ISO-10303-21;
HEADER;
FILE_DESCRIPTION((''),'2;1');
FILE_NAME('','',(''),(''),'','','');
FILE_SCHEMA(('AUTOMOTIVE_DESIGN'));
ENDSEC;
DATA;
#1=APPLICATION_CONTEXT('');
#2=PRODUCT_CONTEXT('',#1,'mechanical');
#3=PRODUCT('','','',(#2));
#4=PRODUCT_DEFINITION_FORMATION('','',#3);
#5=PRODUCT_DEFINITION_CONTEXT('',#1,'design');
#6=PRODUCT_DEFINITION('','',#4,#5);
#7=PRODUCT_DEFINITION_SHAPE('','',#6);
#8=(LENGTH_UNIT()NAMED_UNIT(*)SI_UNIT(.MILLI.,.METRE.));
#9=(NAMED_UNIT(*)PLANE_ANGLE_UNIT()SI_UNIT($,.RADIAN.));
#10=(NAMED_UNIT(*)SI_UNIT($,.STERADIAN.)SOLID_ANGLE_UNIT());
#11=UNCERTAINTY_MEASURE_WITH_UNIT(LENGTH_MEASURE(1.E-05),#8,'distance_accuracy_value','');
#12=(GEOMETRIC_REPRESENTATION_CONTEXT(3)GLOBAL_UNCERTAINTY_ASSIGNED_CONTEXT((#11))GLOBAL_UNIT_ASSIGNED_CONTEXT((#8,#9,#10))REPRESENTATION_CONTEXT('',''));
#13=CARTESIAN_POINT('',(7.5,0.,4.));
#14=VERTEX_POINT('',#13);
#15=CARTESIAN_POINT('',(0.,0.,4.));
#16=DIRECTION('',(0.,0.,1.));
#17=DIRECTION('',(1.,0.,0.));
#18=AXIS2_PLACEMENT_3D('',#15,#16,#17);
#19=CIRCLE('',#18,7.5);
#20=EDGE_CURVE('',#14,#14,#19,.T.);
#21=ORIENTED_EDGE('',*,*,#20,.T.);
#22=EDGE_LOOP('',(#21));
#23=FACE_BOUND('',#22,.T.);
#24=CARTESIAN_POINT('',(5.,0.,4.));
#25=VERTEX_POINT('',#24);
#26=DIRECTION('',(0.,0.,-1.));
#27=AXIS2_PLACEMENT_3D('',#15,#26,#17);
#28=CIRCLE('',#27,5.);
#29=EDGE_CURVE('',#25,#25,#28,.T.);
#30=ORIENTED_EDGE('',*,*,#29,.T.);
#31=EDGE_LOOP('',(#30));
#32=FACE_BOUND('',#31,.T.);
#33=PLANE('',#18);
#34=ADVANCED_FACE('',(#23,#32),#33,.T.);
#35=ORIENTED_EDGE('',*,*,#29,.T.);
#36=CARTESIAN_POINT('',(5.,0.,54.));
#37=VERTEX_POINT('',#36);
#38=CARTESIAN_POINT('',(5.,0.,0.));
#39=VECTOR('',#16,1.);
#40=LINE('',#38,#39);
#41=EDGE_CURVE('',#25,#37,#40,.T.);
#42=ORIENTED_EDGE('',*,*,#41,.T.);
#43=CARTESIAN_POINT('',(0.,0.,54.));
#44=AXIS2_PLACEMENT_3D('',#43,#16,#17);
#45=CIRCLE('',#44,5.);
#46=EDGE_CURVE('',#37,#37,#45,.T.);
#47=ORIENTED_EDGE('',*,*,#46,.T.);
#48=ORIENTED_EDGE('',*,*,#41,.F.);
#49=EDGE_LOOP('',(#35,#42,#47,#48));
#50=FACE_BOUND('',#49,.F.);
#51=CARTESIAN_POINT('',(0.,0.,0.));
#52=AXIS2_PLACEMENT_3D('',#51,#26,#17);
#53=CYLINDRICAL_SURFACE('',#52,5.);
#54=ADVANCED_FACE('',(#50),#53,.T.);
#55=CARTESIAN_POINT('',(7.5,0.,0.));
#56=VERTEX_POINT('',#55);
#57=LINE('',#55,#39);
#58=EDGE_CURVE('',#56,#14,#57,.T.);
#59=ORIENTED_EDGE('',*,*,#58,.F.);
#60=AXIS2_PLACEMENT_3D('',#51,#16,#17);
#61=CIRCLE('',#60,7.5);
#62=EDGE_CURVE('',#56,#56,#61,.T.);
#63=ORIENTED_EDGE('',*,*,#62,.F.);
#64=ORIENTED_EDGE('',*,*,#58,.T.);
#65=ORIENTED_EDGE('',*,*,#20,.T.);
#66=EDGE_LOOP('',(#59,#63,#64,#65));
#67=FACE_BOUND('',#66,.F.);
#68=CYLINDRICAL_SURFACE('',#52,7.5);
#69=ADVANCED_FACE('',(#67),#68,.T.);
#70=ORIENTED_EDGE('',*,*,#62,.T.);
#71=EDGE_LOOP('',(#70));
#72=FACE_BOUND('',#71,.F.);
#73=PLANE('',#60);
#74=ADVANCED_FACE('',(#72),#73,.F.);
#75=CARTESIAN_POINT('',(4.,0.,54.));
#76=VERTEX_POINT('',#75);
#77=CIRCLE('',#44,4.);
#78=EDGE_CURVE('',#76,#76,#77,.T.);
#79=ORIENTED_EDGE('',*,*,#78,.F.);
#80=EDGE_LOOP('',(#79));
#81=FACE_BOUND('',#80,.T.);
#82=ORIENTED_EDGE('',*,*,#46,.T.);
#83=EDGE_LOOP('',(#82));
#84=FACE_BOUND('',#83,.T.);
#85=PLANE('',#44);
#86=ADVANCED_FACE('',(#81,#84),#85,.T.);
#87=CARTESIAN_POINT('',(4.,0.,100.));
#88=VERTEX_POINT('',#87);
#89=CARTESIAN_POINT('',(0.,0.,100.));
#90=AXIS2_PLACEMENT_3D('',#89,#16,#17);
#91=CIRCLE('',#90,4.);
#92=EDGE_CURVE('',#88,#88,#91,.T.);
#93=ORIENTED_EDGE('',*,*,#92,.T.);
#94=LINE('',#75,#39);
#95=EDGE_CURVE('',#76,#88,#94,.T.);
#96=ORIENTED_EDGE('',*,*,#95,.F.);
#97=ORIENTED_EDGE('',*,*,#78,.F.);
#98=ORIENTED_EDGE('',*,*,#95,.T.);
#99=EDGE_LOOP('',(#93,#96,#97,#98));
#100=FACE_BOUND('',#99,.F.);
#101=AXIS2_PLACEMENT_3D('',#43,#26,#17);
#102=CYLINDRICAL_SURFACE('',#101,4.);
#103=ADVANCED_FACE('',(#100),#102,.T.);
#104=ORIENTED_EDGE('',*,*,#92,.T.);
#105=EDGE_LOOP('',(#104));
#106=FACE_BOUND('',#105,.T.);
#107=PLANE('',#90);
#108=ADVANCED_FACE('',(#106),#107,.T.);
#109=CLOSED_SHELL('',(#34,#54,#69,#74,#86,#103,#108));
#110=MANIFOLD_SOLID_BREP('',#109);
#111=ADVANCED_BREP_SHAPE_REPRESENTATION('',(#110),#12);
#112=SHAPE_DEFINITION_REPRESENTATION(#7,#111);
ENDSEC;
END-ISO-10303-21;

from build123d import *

# Parameters (mm, degrees)
F0_R     = 7.5
F1_DEPTH = 4
F2_R     = 5
F3_DEPTH = 54
F4_R     = 4
F5_DEPTH = 46


with BuildPart() as f1:
    # F0 (on Top) → F1 (new body)
    with BuildSketch(Plane.XY):
        Circle(F0_R)
    extrude(amount=F1_DEPTH)

    # F2 (on Top) → F3 (join)
    with BuildSketch(Plane.XY):
        Circle(F2_R)
    extrude(amount=F3_DEPTH)

    # F4 (on face) → F5 (join)
    with BuildSketch(Plane.XY.offset(54)):
        Circle(F4_R)
    extrude(amount=F5_DEPTH)


solid = f1.part
